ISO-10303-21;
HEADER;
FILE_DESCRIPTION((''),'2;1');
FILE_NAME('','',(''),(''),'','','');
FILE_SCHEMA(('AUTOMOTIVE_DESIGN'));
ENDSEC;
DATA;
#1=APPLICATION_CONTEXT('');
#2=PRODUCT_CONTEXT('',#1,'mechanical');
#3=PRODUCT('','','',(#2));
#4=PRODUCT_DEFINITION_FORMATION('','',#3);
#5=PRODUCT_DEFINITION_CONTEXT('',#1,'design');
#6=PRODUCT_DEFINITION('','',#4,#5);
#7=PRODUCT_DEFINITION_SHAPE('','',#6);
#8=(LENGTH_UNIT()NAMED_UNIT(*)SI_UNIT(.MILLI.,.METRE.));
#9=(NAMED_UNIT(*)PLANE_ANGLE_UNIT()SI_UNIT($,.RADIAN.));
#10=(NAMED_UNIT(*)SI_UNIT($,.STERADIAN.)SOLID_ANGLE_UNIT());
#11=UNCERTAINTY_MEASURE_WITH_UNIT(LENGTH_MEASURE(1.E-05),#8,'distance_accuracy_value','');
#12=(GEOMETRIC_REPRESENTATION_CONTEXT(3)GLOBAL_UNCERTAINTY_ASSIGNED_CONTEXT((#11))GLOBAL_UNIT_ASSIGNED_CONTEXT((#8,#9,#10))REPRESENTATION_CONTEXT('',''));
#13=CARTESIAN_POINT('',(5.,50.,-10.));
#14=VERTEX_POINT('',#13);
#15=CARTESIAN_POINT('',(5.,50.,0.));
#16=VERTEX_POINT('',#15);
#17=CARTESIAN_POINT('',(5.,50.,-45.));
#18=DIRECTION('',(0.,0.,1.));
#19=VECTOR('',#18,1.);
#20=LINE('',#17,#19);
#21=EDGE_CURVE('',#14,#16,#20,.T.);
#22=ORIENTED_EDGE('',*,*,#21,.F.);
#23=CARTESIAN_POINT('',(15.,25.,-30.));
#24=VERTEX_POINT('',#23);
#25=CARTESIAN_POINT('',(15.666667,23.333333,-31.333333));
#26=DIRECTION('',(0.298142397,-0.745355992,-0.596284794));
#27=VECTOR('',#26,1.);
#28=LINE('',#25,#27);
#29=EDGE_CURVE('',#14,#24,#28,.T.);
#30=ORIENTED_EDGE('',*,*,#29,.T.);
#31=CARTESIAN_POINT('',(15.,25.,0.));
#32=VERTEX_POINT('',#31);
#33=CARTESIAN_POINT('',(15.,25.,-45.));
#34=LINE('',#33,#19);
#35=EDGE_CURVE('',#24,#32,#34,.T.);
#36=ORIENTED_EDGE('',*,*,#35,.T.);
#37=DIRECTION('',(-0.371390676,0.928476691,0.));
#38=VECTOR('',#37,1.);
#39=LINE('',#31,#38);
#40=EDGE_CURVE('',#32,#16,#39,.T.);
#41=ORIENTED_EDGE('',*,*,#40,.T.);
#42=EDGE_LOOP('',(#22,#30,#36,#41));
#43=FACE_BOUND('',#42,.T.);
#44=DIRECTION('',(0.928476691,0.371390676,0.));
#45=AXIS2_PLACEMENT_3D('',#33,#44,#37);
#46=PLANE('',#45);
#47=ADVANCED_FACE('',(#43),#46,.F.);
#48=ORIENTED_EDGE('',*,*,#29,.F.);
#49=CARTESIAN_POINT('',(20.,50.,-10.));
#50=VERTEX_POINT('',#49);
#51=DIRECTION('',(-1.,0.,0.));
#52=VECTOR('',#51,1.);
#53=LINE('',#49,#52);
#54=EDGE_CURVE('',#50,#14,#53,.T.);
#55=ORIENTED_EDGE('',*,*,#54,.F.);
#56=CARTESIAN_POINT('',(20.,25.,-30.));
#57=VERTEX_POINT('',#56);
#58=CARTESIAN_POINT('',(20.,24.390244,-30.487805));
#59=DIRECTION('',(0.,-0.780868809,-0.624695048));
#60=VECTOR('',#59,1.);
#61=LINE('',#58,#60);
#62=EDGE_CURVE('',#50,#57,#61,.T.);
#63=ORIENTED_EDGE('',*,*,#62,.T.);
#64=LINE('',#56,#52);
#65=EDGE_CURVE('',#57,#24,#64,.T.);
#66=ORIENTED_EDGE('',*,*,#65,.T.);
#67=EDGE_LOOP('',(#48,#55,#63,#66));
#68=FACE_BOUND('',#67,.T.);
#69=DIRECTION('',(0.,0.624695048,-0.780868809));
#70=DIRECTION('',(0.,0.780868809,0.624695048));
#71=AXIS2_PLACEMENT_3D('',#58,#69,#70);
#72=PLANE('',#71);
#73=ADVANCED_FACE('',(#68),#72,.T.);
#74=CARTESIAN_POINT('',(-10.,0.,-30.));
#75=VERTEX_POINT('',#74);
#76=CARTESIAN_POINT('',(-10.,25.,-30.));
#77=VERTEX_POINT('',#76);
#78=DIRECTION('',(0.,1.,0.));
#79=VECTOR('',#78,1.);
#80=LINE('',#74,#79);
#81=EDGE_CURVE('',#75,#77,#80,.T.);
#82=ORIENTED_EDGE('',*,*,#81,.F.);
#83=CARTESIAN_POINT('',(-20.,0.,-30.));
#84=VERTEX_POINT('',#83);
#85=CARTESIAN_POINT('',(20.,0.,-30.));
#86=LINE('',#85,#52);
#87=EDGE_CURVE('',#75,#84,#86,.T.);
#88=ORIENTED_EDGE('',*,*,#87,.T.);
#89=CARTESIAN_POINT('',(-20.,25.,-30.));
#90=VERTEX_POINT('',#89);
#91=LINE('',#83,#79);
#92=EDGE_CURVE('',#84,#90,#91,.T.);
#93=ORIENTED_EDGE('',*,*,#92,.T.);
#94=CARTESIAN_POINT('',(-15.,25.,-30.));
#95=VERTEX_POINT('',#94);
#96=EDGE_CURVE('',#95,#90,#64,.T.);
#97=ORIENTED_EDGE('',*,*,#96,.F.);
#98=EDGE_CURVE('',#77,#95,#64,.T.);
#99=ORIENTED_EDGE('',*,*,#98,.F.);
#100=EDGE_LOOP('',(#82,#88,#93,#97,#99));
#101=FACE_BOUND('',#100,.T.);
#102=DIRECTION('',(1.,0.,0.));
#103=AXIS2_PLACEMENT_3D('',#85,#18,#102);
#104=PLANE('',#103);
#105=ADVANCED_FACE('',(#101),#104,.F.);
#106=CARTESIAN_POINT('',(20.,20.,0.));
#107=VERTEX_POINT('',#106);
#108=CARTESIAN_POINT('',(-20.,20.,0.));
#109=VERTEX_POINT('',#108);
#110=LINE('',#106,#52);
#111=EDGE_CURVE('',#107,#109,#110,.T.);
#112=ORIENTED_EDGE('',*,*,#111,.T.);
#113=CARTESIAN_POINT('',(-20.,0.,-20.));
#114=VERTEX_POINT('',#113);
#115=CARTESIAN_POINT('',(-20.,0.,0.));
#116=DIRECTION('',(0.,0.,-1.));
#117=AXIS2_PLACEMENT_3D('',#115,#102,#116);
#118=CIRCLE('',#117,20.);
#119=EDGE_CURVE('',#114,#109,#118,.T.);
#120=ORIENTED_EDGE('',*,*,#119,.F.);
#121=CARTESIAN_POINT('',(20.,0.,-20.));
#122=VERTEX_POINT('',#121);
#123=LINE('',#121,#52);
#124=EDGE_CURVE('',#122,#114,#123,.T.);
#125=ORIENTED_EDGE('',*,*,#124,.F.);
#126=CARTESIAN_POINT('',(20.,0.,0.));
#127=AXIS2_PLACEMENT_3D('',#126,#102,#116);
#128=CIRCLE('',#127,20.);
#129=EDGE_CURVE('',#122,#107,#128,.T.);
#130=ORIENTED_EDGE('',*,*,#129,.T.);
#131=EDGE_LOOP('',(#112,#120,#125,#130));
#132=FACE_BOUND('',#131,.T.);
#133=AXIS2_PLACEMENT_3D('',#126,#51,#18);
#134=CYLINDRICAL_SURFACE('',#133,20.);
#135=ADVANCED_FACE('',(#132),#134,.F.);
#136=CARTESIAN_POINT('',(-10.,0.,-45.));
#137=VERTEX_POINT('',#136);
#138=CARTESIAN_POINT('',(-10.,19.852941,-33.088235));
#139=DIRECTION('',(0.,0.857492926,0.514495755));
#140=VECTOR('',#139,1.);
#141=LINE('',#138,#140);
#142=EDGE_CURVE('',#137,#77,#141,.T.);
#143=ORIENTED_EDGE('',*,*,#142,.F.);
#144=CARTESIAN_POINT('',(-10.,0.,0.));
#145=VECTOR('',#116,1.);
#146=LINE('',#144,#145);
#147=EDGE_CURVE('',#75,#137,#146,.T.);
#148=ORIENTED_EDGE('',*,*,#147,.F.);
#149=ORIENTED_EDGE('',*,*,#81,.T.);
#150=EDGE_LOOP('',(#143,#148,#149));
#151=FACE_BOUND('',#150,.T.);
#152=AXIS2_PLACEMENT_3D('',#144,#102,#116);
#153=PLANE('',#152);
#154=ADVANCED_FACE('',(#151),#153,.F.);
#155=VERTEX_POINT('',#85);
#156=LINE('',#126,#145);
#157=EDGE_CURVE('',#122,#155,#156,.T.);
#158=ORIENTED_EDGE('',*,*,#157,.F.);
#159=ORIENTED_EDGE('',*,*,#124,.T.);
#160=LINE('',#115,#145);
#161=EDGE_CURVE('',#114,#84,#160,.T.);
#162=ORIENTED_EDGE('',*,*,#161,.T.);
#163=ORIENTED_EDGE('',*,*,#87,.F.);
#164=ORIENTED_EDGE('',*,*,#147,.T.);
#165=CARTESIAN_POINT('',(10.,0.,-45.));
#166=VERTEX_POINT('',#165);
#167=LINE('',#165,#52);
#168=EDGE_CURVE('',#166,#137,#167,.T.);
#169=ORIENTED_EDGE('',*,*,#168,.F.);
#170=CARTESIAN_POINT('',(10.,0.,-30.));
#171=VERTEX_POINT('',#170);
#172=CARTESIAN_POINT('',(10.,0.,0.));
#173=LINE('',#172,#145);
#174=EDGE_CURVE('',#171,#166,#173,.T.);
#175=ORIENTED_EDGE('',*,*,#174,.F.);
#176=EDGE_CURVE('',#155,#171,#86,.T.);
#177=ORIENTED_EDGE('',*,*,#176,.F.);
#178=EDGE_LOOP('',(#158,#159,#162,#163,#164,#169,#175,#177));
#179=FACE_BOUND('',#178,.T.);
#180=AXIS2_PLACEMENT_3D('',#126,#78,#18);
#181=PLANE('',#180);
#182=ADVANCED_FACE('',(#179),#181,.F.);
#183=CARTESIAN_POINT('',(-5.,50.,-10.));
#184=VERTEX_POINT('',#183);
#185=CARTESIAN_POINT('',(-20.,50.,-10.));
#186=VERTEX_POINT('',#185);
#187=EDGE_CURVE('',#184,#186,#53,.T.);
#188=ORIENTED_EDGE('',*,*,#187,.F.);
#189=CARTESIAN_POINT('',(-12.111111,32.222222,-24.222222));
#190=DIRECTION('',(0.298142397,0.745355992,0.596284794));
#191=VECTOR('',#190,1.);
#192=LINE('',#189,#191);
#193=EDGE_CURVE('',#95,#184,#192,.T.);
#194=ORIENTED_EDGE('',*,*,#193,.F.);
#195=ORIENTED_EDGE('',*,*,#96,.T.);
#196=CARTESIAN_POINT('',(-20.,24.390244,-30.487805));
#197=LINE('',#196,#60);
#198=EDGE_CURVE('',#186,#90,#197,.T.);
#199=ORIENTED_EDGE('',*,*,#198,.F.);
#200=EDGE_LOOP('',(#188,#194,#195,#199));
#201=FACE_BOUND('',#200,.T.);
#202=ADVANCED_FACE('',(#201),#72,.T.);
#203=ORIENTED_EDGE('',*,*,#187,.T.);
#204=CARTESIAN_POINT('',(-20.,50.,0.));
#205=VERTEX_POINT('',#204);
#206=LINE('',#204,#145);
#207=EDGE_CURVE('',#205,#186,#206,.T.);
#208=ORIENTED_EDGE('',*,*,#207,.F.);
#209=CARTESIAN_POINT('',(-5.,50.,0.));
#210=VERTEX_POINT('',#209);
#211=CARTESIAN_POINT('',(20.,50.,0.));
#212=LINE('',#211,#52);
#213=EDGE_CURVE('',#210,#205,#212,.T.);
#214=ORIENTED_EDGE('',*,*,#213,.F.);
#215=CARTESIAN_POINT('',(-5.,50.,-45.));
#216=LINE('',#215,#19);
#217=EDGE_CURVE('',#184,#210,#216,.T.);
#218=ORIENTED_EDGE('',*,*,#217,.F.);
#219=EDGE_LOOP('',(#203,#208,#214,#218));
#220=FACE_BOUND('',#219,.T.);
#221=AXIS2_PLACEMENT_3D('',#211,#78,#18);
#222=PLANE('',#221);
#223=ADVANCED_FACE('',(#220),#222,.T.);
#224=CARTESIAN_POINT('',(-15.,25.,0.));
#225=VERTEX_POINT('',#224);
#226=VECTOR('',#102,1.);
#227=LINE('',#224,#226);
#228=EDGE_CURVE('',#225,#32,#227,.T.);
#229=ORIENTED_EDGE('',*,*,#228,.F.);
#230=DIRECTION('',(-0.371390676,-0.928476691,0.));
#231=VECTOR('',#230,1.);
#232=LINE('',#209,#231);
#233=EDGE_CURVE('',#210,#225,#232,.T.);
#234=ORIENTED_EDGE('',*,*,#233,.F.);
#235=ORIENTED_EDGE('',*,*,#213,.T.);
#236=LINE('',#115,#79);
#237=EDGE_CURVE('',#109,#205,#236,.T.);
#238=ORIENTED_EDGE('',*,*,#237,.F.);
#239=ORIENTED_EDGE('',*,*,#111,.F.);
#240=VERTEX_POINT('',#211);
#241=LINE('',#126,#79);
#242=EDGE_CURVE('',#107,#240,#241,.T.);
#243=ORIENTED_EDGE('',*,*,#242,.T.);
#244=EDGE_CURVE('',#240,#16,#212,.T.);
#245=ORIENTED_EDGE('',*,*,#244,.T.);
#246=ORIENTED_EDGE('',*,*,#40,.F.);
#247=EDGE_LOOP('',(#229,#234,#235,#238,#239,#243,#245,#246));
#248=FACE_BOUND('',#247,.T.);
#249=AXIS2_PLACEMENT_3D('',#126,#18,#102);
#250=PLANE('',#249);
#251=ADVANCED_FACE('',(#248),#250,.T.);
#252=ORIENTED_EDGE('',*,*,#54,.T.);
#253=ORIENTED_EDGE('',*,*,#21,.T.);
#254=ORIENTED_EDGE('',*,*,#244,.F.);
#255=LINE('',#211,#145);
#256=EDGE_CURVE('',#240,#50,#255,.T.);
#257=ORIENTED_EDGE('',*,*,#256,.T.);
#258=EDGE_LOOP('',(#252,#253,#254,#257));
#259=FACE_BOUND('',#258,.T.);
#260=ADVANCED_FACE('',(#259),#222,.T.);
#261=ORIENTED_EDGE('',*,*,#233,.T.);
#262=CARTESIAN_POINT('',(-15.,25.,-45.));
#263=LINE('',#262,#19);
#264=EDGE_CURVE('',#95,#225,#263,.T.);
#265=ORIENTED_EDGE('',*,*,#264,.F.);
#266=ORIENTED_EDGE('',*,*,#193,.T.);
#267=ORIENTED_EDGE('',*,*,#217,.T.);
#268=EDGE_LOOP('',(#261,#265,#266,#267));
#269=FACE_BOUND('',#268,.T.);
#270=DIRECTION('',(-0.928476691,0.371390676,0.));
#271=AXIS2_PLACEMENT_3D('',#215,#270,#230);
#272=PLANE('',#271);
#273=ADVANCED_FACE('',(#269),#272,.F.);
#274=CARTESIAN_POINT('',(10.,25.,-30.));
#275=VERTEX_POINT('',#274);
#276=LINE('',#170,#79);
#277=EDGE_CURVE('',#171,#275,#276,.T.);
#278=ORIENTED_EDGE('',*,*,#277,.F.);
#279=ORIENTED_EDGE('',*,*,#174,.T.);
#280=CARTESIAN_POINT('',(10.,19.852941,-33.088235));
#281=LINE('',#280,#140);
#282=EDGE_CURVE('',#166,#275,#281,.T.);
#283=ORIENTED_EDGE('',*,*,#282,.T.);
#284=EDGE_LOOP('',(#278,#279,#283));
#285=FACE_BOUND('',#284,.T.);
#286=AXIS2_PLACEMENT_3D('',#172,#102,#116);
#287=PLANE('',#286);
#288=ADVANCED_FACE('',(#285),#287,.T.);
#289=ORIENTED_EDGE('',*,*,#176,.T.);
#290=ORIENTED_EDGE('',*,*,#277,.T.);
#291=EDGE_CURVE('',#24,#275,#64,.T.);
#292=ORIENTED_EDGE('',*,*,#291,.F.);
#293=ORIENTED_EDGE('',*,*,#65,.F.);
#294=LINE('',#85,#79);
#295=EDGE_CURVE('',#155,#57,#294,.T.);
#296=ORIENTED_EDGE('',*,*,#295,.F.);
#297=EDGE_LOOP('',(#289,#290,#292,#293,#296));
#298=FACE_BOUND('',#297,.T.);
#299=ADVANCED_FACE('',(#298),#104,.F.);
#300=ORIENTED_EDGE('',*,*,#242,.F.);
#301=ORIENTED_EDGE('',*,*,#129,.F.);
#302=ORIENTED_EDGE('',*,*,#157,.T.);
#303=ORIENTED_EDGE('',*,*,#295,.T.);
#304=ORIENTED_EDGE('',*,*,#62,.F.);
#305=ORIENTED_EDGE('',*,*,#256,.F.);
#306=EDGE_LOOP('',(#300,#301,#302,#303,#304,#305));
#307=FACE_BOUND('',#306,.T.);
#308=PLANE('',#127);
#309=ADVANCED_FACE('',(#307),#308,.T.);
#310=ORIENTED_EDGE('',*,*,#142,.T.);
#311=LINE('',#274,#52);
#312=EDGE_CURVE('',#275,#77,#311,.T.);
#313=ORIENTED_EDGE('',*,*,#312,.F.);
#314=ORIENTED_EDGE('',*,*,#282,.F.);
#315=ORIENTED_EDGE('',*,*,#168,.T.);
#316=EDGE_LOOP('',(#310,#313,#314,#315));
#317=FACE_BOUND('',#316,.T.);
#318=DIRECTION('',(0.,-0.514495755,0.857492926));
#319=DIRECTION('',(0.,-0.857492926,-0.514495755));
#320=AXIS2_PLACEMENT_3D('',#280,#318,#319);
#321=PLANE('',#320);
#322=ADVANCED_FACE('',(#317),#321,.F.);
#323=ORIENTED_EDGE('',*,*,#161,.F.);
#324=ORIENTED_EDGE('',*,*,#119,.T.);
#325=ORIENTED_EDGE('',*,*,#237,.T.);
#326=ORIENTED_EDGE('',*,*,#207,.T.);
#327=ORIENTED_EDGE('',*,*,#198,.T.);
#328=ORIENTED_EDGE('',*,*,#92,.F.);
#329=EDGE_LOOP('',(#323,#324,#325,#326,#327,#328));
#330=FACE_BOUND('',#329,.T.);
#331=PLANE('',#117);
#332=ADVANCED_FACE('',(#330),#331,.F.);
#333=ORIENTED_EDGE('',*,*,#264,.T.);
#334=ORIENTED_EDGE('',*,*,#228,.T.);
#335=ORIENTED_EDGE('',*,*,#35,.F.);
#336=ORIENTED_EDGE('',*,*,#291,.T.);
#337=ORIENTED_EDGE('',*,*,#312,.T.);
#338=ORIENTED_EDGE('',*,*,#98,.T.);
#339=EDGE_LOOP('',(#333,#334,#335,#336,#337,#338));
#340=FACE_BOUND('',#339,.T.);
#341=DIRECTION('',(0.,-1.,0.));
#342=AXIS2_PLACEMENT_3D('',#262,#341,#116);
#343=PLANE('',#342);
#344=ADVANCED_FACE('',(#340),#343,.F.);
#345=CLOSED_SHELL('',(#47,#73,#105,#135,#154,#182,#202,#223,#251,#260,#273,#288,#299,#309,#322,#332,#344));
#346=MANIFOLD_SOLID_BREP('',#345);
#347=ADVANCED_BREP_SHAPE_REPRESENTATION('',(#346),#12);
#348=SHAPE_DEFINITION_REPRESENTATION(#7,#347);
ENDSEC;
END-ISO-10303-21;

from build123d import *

# Parameters (mm, degrees)
BOSS_EXTRUDE1_DEPTH = 20
BOSS_EXTRUDE2_DEPTH = 10
CUT_EXTRUDE1_DEPTH  = 71.178344238


with BuildPart() as part:
    # Sketch1 → Boss-Extrude1 (new, symmetric)
    with BuildSketch(Plane(origin=(0, 0, 0), x_dir=(0, 0, -1), z_dir=(1, 0, 0))):
        with BuildLine():
            Line((10, 50), (0, 50))
            Line((0, 50), (0, 20))
            ThreePointArc((0, 20), (14.142135624, 14.142135624), (20, 0))
            Line((20, 0), (30, 0))
            Line((30, 0), (30, 25))
            Line((30, 25), (10, 50))
        make_face()
    extrude(amount=BOSS_EXTRUDE1_DEPTH, both=True)

    # Sketch1<3> → Boss-Extrude2 (add, symmetric)
    with BuildSketch(Plane(origin=(0, 0, 0), x_dir=(0, 0, -1), z_dir=(1, 0, 0))):
        Polygon((45, 0), (30, 25), (30, 0), align=None)
    extrude(amount=BOSS_EXTRUDE2_DEPTH, both=True)

    # Sketch2 → Cut-Extrude1 (cut, through all)
    with BuildSketch(Plane.XY):
        Polygon((15, 25), (5, 50), (-5, 50), (-15, 25), align=None)
    extrude(amount=-CUT_EXTRUDE1_DEPTH, mode=Mode.SUBTRACT)


solid = part.part
